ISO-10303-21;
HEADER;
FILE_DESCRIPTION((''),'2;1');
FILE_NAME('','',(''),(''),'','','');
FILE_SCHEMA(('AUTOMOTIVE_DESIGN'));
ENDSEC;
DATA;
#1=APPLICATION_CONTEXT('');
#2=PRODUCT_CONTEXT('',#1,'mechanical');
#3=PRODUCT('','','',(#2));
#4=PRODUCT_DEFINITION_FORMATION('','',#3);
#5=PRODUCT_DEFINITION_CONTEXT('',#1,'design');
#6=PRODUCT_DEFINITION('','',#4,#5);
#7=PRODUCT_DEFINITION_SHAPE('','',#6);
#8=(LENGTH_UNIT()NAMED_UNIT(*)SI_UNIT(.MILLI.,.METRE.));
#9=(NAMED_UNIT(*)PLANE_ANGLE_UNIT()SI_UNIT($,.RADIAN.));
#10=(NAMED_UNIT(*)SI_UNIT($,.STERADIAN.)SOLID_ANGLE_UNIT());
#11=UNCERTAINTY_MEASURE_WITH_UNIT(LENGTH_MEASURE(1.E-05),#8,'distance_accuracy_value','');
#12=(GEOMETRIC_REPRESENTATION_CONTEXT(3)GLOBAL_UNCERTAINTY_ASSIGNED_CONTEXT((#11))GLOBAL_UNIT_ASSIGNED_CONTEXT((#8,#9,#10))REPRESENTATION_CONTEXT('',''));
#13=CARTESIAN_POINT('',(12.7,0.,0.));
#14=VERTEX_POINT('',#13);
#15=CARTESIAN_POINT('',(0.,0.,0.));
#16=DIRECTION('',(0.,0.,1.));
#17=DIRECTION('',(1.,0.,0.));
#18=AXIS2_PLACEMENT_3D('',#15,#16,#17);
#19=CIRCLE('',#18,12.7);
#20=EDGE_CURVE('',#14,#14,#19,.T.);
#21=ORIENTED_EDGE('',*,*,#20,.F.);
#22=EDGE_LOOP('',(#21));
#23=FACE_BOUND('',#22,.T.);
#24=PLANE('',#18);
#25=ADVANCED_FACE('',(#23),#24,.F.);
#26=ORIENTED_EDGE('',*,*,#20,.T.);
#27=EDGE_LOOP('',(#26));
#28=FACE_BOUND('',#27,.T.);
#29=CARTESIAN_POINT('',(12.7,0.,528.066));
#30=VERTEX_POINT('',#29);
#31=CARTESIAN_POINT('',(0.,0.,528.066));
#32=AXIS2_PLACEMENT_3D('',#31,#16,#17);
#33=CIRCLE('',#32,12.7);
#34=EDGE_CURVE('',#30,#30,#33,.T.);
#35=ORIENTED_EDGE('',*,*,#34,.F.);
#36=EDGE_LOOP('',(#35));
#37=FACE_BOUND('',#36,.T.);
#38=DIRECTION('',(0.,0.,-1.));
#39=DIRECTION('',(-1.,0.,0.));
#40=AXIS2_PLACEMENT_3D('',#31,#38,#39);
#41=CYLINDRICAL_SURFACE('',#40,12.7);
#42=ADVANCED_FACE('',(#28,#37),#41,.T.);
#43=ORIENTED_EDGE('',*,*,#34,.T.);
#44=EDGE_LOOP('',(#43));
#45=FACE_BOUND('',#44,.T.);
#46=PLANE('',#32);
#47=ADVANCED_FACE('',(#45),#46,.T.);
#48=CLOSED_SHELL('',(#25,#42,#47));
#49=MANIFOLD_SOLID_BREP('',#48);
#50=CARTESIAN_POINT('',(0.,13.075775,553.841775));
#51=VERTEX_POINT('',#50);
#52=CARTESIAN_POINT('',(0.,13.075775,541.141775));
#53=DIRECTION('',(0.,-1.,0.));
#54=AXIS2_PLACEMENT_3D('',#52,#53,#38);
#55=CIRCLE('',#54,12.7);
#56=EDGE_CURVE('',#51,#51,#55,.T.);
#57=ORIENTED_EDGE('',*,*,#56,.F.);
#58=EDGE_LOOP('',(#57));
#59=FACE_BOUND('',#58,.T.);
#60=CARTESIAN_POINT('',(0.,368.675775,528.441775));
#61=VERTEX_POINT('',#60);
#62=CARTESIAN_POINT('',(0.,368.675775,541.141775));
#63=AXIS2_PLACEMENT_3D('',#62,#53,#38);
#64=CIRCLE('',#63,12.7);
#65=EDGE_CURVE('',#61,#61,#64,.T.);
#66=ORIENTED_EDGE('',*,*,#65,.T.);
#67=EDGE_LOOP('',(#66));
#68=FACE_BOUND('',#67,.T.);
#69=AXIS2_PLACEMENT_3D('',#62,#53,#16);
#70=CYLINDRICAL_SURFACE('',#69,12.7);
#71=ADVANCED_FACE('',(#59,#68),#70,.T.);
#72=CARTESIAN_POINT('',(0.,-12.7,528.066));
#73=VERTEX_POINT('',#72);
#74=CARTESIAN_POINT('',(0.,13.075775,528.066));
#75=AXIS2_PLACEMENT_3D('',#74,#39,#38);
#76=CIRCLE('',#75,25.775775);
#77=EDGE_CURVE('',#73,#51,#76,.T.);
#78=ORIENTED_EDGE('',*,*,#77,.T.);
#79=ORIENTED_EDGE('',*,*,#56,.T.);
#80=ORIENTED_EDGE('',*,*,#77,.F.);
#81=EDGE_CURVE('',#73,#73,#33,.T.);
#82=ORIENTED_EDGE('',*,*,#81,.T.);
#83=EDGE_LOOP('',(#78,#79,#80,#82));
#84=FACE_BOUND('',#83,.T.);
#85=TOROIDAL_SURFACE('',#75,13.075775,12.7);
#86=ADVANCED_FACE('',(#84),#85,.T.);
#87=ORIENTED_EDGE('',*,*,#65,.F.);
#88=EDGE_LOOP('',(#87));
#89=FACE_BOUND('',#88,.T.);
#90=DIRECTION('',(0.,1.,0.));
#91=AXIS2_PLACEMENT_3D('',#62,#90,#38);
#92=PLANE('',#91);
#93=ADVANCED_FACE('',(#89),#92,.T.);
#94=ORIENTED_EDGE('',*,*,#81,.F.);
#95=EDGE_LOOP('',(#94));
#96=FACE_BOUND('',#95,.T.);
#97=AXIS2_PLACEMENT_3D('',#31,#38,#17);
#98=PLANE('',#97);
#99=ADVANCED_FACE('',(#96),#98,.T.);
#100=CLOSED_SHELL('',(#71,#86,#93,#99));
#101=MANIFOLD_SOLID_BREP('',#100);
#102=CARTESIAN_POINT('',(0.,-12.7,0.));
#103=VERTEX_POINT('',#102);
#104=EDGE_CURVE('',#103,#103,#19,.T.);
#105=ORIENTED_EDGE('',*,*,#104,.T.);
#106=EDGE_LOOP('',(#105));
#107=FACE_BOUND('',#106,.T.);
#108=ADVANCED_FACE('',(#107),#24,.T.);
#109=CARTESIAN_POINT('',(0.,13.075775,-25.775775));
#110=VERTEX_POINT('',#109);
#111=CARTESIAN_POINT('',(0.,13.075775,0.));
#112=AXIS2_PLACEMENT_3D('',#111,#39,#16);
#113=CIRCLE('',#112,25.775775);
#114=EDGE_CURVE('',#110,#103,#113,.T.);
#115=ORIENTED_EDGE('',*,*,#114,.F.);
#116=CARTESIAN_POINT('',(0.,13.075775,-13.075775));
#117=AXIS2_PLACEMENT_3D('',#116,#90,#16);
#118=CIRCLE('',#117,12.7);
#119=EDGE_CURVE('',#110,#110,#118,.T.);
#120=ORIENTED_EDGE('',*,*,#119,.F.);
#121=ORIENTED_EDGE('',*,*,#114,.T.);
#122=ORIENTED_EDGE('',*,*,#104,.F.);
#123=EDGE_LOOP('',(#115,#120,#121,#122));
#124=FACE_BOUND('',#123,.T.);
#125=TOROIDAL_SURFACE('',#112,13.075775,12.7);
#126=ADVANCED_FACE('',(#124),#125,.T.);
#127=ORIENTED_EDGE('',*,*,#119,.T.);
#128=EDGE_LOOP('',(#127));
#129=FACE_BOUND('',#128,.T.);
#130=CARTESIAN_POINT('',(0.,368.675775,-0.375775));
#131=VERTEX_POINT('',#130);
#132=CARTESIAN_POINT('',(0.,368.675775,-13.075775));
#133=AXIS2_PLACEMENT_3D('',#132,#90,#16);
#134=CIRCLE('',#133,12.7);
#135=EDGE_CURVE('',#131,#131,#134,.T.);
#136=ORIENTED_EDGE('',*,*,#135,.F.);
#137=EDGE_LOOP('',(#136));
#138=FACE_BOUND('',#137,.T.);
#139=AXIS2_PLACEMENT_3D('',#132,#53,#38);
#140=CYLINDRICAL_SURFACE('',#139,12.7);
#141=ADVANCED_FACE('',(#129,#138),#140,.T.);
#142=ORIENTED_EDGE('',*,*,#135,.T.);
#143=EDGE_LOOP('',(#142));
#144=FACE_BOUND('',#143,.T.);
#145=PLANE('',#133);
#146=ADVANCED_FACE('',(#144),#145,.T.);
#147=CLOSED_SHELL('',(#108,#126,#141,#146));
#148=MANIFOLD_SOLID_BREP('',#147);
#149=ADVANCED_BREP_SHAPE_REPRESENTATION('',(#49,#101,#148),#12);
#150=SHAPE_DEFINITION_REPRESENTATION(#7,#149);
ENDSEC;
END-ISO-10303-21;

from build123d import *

# Parameters (mm, degrees)
SKETCH1_R           = 12.7
BOSS_EXTRUDE1_DEPTH = 528.066
SKETCH1_4_R         = 12.7
REVOLVE20_ANGLE     = 90
SKETCH8_R           = 12.7
BOSS_EXTRUDE2_DEPTH = 355.6


with BuildPart() as part:
    # Sketch1 → Boss-Extrude1 (new body)
    with BuildSketch(Plane.XY):
        Circle(SKETCH1_R)
    extrude(amount=BOSS_EXTRUDE1_DEPTH)


with BuildPart() as body_2:
    # Sketch1<4> → Revolve20 (revolve)
    with BuildSketch(Plane.XY):
        Circle(SKETCH1_4_R)
    revolve(axis=Axis((1001.058274446, 13.07577549, 0), (1, 0, 0)), revolution_arc=REVOLVE20_ANGLE)

    # Sketch8 → Boss-Extrude2 (add)
    with BuildSketch(Plane(origin=(0, 13.07577549, 0), x_dir=(1, 0, 0), z_dir=(0, 1, 0))):
        with Locations((0, 13.07577549)):
            Circle(SKETCH8_R)
    extrude(amount=BOSS_EXTRUDE2_DEPTH)


with BuildPart() as body_3:
    # Mirror2: mirrored copy
    add(body_2.part.mirror(Plane.XY.offset(264.033)))


solid = Compound([part.part, body_2.part, body_3.part])
